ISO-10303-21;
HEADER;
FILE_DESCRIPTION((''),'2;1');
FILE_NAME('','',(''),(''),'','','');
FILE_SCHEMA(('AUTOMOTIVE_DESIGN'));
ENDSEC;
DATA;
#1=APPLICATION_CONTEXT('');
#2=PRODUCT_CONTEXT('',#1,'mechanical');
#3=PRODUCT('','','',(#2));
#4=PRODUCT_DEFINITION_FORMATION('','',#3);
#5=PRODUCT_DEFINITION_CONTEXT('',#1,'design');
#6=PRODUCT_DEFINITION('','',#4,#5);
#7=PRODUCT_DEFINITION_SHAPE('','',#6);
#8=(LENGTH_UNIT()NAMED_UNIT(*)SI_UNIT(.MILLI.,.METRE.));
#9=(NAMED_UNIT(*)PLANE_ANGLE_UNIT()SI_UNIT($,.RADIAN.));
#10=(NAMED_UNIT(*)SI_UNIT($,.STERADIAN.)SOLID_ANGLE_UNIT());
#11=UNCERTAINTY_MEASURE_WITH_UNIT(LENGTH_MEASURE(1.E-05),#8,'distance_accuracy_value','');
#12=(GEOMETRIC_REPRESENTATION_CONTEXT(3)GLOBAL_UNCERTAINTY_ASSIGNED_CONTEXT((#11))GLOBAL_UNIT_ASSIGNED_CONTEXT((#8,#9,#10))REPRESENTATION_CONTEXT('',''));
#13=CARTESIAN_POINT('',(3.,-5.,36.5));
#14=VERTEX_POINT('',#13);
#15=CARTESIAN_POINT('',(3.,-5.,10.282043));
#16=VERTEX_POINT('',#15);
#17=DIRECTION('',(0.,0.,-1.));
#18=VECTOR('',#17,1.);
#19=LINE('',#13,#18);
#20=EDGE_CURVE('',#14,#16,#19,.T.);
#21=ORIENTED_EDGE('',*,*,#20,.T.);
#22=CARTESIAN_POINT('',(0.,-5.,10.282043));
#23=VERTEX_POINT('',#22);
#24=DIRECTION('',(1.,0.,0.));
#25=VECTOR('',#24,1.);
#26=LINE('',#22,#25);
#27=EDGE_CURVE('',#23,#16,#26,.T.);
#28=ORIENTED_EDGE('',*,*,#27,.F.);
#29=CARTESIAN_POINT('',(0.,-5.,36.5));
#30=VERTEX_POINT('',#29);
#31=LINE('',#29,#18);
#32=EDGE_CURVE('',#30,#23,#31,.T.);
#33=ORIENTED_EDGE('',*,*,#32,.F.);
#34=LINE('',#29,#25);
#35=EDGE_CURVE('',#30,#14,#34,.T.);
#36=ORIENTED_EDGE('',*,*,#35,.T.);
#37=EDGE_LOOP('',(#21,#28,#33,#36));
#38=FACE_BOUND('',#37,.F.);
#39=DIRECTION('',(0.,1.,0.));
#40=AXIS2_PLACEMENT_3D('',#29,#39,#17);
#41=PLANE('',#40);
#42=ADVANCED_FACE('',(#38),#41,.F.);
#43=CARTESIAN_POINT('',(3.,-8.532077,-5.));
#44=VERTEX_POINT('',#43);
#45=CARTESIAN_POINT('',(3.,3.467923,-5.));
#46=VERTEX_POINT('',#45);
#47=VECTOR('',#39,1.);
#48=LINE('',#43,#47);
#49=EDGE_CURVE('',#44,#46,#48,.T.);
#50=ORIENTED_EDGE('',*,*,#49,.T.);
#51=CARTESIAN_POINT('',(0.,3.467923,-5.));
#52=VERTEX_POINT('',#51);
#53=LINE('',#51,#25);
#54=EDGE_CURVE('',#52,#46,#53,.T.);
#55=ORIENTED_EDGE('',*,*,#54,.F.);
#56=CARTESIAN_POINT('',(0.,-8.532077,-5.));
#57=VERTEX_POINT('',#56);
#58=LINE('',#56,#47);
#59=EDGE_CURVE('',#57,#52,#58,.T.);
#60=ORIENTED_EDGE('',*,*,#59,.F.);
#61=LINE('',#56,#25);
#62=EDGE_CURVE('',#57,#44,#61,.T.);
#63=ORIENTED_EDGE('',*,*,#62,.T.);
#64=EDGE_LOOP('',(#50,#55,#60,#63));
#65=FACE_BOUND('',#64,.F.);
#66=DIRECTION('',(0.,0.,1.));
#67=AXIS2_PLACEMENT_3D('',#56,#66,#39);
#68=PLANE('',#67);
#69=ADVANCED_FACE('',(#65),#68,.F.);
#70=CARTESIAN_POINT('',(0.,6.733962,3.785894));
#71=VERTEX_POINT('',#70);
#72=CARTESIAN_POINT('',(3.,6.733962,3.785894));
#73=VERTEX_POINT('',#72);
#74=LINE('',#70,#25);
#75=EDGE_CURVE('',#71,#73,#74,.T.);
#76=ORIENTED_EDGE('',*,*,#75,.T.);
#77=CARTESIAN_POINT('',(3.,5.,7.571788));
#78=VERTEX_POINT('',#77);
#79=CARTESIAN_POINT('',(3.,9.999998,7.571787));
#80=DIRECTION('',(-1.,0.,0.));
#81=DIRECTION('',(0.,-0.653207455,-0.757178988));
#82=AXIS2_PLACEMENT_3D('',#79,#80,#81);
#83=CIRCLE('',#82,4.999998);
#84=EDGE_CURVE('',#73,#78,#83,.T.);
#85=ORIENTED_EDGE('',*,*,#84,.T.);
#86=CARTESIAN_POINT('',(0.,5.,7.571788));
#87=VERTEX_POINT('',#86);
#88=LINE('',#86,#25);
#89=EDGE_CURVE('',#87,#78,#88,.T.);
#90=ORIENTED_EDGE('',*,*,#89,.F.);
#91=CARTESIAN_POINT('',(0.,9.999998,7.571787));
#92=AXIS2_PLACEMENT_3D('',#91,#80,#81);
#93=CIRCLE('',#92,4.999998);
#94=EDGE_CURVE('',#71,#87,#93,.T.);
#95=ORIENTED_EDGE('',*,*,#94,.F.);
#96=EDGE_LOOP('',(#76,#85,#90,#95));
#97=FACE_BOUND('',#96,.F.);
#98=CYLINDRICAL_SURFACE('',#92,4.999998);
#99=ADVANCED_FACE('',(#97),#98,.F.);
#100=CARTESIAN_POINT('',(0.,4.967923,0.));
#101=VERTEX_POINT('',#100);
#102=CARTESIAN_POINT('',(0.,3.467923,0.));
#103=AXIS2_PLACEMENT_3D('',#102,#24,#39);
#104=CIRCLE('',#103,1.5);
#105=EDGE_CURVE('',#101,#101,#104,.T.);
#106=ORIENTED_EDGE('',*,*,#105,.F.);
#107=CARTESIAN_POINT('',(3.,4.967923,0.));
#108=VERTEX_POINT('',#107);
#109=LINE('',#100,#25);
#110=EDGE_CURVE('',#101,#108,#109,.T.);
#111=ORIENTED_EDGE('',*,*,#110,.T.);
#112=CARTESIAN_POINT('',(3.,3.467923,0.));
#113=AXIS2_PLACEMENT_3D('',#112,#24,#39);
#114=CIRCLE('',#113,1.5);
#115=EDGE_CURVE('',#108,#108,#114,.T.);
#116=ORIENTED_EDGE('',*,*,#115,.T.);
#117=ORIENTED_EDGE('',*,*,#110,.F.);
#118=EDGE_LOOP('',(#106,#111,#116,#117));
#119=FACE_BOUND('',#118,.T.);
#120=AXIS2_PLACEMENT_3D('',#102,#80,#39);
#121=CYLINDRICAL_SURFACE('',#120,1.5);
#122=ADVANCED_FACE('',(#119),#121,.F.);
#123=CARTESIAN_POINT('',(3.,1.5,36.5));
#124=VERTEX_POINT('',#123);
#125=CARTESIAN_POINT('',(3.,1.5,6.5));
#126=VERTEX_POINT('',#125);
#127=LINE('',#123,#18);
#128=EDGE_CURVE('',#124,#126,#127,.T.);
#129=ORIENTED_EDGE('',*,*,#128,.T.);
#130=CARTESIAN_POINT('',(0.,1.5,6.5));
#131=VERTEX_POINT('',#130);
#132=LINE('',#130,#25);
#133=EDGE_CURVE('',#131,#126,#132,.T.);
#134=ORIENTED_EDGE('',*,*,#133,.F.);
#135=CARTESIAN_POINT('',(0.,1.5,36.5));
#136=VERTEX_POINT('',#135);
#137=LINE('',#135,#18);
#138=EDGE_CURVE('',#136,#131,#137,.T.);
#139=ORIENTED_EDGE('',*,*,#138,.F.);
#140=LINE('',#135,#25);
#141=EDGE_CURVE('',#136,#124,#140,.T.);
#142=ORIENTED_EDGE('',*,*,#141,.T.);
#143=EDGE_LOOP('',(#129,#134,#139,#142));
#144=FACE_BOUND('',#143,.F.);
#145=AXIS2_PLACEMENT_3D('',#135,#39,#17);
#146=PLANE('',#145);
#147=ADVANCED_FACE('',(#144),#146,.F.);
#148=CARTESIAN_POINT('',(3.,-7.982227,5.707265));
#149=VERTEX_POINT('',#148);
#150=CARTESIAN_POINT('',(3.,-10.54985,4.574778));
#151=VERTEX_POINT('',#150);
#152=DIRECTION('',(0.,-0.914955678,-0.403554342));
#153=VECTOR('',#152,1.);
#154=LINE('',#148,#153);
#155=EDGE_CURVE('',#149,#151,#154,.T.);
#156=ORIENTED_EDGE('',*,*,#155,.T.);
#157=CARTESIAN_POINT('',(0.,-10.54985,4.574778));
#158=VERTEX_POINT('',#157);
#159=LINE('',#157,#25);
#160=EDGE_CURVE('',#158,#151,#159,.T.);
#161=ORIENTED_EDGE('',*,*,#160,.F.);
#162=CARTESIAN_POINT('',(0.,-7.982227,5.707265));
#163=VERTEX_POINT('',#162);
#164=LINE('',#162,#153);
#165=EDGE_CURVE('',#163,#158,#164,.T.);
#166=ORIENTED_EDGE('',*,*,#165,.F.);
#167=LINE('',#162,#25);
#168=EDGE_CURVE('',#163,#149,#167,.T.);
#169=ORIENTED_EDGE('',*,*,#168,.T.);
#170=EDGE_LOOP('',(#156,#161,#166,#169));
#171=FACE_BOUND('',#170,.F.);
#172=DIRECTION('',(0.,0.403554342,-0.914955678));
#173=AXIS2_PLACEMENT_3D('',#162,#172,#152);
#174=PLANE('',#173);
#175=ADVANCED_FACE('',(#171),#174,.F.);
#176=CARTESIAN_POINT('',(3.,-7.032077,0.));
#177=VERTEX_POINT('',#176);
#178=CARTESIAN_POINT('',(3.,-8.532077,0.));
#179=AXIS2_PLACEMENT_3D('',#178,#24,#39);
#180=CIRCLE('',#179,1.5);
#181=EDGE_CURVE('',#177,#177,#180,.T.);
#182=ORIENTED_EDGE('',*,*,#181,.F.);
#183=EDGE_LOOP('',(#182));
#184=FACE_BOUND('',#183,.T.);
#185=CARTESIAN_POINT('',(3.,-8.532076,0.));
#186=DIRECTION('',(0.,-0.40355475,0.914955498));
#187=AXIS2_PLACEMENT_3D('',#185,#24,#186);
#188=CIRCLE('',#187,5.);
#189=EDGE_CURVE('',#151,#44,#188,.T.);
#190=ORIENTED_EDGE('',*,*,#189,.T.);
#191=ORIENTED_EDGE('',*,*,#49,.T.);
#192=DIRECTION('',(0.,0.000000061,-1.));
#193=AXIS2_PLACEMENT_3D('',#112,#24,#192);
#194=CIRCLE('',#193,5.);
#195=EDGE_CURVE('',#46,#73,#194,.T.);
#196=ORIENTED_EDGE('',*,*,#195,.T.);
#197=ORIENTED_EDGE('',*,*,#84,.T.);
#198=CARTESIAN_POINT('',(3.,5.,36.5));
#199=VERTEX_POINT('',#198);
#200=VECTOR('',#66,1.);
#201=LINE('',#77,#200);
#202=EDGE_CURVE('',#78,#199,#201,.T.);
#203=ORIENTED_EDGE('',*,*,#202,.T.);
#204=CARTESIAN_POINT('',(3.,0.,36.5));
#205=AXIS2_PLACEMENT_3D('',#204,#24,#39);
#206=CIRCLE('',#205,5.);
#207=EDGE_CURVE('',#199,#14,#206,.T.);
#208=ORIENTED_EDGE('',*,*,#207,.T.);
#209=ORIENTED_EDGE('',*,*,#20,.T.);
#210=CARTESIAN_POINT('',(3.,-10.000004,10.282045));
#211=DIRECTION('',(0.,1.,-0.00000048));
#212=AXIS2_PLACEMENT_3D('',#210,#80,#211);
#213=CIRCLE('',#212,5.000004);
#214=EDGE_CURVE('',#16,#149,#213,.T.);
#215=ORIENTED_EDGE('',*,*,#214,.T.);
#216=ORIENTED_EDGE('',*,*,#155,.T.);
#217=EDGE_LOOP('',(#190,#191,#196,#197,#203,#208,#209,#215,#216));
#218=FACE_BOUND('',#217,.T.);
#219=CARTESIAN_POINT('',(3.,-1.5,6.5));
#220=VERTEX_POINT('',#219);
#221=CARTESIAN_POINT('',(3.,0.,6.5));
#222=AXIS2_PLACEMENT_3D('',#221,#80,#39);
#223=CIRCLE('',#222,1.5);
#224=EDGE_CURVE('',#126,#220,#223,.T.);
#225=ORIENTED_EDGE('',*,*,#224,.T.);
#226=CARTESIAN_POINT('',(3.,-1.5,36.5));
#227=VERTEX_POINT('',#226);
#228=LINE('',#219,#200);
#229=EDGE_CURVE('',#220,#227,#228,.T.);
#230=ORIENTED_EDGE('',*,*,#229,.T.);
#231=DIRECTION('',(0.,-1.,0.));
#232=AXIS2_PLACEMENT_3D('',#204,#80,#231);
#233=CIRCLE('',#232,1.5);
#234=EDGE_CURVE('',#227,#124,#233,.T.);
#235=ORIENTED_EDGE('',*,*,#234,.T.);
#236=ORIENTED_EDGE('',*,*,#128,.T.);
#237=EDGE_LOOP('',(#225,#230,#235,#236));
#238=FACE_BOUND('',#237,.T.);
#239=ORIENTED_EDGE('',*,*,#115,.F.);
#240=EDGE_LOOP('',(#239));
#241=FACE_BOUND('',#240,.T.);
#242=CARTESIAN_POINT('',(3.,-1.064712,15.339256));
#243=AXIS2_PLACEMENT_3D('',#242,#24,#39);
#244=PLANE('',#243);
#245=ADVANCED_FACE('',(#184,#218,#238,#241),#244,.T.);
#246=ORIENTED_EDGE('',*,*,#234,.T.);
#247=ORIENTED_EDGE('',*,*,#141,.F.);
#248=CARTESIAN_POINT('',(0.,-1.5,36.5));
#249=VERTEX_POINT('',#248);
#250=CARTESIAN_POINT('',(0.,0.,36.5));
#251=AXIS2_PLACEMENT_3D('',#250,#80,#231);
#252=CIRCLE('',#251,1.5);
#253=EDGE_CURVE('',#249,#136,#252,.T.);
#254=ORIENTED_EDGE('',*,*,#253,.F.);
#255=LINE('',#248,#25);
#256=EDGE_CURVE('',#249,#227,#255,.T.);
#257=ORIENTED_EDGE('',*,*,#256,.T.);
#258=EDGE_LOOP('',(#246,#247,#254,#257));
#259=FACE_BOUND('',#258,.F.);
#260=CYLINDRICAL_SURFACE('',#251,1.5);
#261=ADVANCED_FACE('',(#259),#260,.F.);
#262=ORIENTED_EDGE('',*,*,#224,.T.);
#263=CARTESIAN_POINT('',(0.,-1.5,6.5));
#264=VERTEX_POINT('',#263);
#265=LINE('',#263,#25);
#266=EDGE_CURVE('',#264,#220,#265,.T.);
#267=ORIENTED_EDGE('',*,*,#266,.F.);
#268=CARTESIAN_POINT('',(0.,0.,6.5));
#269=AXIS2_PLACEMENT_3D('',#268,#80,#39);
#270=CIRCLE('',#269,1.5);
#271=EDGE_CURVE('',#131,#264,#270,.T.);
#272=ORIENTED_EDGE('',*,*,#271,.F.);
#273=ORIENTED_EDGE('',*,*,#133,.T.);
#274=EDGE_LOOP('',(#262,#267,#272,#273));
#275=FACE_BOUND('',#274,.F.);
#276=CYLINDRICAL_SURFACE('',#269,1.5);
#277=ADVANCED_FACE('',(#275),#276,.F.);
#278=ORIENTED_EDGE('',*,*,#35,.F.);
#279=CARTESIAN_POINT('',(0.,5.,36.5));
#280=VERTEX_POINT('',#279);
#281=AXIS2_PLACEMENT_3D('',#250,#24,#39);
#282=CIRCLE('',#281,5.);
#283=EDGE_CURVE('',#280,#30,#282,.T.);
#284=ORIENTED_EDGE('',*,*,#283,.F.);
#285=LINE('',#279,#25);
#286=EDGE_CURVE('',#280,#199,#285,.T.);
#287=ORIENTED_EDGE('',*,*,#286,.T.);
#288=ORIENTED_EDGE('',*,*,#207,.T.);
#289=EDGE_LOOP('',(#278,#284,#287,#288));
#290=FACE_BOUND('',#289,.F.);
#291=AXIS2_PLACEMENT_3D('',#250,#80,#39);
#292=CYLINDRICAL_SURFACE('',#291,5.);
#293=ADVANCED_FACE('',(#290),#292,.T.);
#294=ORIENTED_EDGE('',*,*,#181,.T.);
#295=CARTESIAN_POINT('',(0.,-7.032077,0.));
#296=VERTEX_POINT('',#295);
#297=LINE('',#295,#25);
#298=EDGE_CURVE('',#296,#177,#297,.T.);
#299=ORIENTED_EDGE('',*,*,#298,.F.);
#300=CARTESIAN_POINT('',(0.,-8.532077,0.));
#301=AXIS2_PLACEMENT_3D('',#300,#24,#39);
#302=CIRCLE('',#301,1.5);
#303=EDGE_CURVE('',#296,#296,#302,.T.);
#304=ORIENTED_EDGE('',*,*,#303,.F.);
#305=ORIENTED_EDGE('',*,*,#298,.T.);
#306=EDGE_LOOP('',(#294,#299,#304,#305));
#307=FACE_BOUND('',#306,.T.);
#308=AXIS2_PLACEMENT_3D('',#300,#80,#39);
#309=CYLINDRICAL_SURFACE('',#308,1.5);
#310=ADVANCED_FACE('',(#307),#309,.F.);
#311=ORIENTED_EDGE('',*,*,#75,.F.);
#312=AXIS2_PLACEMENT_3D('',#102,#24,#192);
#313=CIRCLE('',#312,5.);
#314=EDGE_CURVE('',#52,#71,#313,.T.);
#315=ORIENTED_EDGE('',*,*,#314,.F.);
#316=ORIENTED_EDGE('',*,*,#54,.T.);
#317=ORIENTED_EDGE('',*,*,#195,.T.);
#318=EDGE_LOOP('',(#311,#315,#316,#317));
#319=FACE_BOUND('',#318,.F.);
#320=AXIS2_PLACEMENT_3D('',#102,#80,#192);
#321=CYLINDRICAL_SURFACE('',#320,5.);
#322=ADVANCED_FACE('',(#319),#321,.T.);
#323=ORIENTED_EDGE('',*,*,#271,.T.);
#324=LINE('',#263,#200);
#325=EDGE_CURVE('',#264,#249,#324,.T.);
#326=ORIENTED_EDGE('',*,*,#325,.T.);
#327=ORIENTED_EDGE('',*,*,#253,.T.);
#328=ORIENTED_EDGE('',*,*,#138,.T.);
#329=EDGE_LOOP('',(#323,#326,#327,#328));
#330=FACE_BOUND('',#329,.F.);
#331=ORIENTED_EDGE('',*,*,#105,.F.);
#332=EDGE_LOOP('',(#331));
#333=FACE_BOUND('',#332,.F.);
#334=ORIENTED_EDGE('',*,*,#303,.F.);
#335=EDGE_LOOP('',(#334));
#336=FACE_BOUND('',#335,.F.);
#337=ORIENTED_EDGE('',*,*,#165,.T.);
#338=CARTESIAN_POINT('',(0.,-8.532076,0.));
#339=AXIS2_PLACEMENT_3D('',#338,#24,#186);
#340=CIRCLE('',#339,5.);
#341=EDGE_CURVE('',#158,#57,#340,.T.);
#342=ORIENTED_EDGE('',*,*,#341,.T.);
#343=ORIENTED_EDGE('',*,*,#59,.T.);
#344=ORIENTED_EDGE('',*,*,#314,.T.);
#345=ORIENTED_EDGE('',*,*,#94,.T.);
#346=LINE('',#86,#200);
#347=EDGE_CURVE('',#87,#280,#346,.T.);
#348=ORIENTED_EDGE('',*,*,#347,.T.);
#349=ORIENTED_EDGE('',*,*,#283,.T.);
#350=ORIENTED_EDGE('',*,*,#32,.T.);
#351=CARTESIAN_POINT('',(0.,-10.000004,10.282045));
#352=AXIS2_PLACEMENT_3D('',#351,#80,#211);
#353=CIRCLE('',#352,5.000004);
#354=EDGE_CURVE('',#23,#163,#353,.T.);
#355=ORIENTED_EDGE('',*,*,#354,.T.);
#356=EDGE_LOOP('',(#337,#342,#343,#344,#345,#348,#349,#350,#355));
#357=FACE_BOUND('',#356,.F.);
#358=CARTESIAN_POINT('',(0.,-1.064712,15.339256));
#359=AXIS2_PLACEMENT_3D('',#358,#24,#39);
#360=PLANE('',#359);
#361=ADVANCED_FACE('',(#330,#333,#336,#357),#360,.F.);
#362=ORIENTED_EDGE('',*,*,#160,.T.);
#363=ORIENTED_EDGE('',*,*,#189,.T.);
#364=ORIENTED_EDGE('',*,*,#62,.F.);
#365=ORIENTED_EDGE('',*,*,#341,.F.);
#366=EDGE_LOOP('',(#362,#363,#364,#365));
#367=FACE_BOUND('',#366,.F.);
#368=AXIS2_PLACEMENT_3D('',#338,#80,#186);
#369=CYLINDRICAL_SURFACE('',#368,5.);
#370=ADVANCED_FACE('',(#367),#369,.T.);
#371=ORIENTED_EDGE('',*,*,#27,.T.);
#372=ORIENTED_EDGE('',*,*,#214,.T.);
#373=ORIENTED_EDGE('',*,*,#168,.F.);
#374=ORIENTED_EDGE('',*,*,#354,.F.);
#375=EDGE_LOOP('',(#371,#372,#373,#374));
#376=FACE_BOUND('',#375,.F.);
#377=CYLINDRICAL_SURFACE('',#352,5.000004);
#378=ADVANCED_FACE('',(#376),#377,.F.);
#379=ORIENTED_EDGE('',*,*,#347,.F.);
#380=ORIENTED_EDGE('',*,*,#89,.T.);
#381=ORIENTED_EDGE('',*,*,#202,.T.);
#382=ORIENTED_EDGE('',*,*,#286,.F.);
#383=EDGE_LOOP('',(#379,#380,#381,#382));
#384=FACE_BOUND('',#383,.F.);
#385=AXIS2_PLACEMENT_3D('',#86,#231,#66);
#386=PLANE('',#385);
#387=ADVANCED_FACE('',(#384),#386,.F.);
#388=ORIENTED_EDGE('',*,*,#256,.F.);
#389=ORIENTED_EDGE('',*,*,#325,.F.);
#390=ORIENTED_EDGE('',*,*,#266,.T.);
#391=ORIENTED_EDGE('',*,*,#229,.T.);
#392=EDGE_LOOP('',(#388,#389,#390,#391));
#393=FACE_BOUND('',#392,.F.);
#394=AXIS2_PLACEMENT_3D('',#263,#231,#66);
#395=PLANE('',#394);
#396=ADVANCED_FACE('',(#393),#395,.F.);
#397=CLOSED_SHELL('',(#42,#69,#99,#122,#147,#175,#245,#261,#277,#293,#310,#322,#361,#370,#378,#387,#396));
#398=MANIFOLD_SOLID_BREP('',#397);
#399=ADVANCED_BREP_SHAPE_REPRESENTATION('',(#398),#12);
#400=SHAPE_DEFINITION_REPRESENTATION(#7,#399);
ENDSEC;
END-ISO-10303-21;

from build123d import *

# Parameters (mm, degrees)
F0_R     = 1.5
F1_DEPTH = 3


with BuildPart() as f1:
    # F0 (on Right) → F1 (new body)
    with BuildSketch(Plane.YZ):
        with BuildLine():
            Line((5, 7.571788), (5, 36.5))
            ThreePointArc((5, 36.5), (0, 41.5), (-5, 36.5))
            Line((-5, 36.5), (-5, 10.282043))
            ThreePointArc((-5, 10.282043), (-5.811393, 7.551555), (-7.982227, 5.707265))
            Line((-7.982227, 5.707265), (-10.54985, 4.574778))
            ThreePointArc((-10.54985, 4.574778), (-13.424616, -1.031046), (-8.532077, -5))
            Line((-8.532077, -5), (3.467923, -5))
            ThreePointArc((3.467923, -5), (8.154578, -1.742201), (6.733962, 3.785894))
            ThreePointArc((6.733962, 3.785894), (5.454112, 5.489745), (5, 7.571788))
        make_face()
        with Locations((-8.532077, 0)):
            Circle(F0_R, mode=Mode.SUBTRACT)
        with Locations((3.467923, 0)):
            Circle(F0_R, mode=Mode.SUBTRACT)
        with BuildLine():
            ThreePointArc((-1.5, 36.5), (0, 38), (1.5, 36.5))
            Line((1.5, 36.5), (1.5, 6.5))
            ThreePointArc((1.5, 6.5), (0, 5), (-1.5, 6.5))
            Line((-1.5, 6.5), (-1.5, 36.5))
        make_face(mode=Mode.SUBTRACT)
    extrude(amount=F1_DEPTH)


solid = f1.part
